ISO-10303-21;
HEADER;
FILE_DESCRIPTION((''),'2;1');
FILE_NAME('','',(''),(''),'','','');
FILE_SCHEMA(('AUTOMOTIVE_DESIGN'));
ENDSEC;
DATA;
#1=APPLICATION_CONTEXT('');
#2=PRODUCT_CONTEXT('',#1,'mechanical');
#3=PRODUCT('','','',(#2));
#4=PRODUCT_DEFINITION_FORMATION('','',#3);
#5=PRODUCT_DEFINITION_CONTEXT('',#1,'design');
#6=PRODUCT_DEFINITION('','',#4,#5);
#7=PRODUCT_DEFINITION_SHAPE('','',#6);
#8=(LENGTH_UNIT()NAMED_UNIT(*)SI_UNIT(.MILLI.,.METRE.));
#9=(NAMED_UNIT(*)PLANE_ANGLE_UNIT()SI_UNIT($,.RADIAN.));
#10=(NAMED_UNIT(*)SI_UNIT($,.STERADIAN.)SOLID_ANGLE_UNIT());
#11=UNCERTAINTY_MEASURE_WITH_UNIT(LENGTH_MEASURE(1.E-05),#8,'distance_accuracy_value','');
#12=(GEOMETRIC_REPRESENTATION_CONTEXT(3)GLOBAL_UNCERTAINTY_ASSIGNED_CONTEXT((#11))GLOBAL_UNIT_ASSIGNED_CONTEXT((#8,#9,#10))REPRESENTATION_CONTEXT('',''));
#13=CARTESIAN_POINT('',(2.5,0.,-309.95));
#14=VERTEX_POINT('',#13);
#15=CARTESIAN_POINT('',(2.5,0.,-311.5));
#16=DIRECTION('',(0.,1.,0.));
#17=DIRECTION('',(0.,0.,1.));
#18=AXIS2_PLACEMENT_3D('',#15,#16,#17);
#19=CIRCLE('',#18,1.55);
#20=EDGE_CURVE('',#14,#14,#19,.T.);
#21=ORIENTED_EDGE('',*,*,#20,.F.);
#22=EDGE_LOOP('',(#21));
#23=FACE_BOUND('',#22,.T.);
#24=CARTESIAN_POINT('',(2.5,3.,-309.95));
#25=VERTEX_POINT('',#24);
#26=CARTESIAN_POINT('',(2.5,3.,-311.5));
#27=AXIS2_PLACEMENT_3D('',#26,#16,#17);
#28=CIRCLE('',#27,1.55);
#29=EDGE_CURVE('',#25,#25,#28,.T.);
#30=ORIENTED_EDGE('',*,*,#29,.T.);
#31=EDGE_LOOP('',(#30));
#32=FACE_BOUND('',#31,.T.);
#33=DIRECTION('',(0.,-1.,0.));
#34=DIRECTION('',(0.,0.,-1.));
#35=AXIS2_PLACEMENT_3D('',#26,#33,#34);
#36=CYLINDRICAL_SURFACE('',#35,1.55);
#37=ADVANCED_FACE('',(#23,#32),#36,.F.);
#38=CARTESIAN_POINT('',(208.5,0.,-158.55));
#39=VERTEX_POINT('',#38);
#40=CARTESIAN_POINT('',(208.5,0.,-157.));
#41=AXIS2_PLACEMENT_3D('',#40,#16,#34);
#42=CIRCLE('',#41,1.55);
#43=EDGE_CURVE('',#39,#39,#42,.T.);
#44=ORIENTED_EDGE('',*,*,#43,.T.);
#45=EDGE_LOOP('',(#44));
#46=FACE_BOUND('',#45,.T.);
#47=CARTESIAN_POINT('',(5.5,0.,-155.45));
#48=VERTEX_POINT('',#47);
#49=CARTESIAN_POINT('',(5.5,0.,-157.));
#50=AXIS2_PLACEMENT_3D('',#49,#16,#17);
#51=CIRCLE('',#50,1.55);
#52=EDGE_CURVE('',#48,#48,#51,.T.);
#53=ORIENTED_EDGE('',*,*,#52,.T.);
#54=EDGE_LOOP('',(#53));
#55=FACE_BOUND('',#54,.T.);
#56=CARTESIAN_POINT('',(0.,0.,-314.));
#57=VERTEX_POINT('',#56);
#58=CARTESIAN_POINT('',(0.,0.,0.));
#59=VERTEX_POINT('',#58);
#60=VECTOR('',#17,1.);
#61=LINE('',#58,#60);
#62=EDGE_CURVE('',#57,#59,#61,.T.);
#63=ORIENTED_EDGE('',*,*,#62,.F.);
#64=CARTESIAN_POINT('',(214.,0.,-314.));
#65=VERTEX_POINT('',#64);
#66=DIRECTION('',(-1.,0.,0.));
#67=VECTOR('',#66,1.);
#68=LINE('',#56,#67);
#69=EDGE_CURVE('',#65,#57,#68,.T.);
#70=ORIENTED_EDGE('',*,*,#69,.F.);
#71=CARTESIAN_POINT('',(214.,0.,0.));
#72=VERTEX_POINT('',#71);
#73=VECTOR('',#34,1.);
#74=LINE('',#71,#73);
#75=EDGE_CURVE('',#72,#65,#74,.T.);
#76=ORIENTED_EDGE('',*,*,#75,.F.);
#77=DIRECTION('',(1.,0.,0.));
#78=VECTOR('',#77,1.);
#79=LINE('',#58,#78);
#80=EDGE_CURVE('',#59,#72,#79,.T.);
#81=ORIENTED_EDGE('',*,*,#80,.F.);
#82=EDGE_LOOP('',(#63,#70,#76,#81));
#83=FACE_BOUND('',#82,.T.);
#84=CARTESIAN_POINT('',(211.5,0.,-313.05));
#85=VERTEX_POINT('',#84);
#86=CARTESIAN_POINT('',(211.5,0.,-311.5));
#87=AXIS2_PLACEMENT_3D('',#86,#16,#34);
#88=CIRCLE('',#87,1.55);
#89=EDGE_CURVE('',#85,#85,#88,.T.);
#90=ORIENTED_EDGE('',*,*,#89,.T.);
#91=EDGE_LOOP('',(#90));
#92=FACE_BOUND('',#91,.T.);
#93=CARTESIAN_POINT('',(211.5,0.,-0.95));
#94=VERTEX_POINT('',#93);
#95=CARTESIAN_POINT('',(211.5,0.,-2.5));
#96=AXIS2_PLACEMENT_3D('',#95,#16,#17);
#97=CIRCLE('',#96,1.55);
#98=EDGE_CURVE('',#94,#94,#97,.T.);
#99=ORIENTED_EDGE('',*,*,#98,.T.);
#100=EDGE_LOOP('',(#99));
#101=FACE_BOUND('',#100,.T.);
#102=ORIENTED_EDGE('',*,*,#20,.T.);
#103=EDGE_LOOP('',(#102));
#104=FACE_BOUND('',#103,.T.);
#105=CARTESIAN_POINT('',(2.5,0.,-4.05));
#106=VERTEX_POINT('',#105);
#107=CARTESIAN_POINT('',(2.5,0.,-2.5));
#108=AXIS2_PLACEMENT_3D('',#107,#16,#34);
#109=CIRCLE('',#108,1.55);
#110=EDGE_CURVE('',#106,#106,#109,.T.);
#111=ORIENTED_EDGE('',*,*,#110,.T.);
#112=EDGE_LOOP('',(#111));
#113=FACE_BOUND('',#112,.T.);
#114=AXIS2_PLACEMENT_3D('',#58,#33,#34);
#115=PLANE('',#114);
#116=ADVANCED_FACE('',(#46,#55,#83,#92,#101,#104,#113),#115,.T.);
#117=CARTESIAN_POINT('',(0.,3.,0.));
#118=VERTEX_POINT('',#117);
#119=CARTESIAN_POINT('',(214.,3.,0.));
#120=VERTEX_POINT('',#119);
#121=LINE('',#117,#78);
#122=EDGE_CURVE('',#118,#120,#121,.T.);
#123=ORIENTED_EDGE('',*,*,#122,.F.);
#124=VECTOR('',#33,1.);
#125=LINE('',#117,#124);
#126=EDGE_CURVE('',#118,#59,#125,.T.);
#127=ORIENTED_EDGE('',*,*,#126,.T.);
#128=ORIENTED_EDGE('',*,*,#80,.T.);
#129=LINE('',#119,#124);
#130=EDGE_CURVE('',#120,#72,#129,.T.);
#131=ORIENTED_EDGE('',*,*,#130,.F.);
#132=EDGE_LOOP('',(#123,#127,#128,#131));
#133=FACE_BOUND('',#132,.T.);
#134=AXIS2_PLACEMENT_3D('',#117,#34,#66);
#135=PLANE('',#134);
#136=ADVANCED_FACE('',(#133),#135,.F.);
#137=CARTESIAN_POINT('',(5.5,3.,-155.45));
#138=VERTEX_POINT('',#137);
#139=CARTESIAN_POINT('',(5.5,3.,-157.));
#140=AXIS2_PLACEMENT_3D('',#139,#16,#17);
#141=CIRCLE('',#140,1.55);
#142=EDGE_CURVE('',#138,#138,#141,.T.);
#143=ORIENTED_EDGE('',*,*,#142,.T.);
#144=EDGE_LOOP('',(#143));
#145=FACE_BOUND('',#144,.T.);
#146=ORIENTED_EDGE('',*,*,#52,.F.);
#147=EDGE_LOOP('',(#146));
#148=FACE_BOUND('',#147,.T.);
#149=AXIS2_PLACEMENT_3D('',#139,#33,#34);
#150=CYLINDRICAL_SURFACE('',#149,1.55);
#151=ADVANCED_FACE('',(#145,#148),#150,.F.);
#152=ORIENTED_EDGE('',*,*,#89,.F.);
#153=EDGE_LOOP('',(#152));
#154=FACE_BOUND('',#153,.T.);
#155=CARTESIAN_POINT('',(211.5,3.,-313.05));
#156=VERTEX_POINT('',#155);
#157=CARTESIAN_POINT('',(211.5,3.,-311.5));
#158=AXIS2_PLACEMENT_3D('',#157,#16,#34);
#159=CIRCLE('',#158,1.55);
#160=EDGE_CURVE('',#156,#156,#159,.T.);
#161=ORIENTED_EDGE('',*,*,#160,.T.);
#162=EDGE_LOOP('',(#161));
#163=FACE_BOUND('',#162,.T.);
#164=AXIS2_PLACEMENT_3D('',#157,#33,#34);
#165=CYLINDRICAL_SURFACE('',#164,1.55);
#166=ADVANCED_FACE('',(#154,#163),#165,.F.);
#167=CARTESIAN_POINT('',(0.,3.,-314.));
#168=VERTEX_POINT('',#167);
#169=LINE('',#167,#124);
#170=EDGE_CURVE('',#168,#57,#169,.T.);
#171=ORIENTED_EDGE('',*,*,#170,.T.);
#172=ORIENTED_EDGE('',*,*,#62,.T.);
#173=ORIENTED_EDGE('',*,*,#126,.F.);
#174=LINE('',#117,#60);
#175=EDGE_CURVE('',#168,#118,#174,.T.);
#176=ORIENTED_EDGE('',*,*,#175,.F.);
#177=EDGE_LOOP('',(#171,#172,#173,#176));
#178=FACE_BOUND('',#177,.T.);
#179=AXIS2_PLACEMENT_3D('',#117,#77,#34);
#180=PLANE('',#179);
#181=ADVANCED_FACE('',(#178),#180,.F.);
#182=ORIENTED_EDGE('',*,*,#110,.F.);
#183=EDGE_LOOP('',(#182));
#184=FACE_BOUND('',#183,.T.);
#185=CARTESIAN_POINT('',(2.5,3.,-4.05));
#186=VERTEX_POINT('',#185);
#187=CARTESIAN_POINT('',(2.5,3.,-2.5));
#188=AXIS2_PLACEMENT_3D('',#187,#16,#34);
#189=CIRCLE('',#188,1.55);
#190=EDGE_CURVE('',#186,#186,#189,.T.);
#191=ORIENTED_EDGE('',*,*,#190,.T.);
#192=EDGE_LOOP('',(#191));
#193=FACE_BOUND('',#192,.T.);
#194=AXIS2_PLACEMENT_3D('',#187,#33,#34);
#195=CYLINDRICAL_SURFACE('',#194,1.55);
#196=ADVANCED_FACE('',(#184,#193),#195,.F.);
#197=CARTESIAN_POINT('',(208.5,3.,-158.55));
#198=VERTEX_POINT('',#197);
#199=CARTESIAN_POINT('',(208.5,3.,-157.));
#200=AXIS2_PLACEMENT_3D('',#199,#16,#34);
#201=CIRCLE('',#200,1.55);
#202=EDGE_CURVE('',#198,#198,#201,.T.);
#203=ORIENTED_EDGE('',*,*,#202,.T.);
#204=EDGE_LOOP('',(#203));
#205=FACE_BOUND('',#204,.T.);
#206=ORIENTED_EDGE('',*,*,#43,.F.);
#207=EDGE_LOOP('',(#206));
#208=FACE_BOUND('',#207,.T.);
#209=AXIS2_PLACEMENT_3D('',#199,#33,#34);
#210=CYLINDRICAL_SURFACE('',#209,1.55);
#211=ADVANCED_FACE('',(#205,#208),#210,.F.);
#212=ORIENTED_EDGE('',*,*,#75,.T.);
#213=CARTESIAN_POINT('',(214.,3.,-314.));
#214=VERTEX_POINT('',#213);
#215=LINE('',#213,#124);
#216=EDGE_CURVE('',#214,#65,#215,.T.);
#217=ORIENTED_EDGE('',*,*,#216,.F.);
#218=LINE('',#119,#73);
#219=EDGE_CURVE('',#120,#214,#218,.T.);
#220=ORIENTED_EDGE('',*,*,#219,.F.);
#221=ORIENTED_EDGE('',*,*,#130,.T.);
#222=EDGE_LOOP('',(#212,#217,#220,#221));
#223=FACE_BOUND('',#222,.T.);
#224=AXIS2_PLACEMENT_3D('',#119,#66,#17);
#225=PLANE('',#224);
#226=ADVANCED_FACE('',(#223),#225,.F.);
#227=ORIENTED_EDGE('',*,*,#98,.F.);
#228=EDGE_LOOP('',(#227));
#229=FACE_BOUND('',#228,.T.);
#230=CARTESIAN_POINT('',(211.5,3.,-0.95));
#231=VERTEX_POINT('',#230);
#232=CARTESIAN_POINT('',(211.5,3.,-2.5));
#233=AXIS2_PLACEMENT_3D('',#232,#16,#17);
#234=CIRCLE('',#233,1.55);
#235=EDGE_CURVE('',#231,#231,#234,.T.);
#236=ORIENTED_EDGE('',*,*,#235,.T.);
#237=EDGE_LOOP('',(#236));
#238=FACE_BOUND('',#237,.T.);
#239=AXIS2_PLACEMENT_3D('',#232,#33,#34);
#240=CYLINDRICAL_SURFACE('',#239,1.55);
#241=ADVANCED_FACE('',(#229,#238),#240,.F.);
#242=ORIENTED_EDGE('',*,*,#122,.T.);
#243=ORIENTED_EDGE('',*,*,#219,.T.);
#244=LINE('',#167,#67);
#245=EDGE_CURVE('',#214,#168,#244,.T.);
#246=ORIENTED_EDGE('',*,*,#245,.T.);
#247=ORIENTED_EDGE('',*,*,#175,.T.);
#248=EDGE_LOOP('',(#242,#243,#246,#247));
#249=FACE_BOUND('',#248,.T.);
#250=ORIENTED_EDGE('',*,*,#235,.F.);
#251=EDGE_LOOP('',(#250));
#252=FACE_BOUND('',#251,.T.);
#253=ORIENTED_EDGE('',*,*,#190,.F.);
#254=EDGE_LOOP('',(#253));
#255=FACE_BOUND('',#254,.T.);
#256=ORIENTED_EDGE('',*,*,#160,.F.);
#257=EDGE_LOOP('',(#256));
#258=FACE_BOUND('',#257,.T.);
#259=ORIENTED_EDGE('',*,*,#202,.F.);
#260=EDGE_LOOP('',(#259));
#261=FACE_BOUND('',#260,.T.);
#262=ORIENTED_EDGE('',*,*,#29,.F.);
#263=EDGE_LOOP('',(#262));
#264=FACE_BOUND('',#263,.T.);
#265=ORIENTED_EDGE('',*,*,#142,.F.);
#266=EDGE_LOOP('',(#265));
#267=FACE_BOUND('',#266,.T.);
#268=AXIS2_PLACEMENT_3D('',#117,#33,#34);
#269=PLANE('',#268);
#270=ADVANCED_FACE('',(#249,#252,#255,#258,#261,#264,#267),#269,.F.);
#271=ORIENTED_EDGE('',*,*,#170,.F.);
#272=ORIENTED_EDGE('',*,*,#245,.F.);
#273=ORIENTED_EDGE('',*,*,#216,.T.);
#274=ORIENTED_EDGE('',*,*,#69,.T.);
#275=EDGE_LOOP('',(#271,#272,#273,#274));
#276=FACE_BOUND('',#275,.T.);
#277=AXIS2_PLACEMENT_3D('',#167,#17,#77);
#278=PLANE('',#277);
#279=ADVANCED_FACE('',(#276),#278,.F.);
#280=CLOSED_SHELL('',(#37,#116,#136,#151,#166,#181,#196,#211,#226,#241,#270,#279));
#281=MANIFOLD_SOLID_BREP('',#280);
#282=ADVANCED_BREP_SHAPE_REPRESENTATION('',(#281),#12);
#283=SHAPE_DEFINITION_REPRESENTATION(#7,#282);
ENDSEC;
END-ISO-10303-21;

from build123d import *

# Parameters (mm, degrees)
CROQUIS1_W              = 214
CROQUIS1_H              = 314
CROQUIS1_R              = 1.55
SALIENTE_EXTRUIR1_DEPTH = 3


with BuildPart() as part:
    # Croquis1 → Saliente-Extruir1 (new body)
    with BuildSketch(Plane(origin=(0, 0, 0), x_dir=(1, 0, 0), z_dir=(0, 1, 0))):
        with Locations((107, 157)):
            Rectangle(CROQUIS1_W, CROQUIS1_H)
        with Locations((2.5, 311.5)):
            Circle(CROQUIS1_R, mode=Mode.SUBTRACT)
        with Locations((211.5, 311.5)):
            Circle(CROQUIS1_R, mode=Mode.SUBTRACT)
        with Locations((2.5, 2.5)):
            Circle(CROQUIS1_R, mode=Mode.SUBTRACT)
        with Locations((211.5, 2.5)):
            Circle(CROQUIS1_R, mode=Mode.SUBTRACT)
        with Locations((5.5, 157)):
            Circle(CROQUIS1_R, mode=Mode.SUBTRACT)
        with Locations((208.5, 157)):
            Circle(CROQUIS1_R, mode=Mode.SUBTRACT)
    extrude(amount=SALIENTE_EXTRUIR1_DEPTH)


solid = part.part
